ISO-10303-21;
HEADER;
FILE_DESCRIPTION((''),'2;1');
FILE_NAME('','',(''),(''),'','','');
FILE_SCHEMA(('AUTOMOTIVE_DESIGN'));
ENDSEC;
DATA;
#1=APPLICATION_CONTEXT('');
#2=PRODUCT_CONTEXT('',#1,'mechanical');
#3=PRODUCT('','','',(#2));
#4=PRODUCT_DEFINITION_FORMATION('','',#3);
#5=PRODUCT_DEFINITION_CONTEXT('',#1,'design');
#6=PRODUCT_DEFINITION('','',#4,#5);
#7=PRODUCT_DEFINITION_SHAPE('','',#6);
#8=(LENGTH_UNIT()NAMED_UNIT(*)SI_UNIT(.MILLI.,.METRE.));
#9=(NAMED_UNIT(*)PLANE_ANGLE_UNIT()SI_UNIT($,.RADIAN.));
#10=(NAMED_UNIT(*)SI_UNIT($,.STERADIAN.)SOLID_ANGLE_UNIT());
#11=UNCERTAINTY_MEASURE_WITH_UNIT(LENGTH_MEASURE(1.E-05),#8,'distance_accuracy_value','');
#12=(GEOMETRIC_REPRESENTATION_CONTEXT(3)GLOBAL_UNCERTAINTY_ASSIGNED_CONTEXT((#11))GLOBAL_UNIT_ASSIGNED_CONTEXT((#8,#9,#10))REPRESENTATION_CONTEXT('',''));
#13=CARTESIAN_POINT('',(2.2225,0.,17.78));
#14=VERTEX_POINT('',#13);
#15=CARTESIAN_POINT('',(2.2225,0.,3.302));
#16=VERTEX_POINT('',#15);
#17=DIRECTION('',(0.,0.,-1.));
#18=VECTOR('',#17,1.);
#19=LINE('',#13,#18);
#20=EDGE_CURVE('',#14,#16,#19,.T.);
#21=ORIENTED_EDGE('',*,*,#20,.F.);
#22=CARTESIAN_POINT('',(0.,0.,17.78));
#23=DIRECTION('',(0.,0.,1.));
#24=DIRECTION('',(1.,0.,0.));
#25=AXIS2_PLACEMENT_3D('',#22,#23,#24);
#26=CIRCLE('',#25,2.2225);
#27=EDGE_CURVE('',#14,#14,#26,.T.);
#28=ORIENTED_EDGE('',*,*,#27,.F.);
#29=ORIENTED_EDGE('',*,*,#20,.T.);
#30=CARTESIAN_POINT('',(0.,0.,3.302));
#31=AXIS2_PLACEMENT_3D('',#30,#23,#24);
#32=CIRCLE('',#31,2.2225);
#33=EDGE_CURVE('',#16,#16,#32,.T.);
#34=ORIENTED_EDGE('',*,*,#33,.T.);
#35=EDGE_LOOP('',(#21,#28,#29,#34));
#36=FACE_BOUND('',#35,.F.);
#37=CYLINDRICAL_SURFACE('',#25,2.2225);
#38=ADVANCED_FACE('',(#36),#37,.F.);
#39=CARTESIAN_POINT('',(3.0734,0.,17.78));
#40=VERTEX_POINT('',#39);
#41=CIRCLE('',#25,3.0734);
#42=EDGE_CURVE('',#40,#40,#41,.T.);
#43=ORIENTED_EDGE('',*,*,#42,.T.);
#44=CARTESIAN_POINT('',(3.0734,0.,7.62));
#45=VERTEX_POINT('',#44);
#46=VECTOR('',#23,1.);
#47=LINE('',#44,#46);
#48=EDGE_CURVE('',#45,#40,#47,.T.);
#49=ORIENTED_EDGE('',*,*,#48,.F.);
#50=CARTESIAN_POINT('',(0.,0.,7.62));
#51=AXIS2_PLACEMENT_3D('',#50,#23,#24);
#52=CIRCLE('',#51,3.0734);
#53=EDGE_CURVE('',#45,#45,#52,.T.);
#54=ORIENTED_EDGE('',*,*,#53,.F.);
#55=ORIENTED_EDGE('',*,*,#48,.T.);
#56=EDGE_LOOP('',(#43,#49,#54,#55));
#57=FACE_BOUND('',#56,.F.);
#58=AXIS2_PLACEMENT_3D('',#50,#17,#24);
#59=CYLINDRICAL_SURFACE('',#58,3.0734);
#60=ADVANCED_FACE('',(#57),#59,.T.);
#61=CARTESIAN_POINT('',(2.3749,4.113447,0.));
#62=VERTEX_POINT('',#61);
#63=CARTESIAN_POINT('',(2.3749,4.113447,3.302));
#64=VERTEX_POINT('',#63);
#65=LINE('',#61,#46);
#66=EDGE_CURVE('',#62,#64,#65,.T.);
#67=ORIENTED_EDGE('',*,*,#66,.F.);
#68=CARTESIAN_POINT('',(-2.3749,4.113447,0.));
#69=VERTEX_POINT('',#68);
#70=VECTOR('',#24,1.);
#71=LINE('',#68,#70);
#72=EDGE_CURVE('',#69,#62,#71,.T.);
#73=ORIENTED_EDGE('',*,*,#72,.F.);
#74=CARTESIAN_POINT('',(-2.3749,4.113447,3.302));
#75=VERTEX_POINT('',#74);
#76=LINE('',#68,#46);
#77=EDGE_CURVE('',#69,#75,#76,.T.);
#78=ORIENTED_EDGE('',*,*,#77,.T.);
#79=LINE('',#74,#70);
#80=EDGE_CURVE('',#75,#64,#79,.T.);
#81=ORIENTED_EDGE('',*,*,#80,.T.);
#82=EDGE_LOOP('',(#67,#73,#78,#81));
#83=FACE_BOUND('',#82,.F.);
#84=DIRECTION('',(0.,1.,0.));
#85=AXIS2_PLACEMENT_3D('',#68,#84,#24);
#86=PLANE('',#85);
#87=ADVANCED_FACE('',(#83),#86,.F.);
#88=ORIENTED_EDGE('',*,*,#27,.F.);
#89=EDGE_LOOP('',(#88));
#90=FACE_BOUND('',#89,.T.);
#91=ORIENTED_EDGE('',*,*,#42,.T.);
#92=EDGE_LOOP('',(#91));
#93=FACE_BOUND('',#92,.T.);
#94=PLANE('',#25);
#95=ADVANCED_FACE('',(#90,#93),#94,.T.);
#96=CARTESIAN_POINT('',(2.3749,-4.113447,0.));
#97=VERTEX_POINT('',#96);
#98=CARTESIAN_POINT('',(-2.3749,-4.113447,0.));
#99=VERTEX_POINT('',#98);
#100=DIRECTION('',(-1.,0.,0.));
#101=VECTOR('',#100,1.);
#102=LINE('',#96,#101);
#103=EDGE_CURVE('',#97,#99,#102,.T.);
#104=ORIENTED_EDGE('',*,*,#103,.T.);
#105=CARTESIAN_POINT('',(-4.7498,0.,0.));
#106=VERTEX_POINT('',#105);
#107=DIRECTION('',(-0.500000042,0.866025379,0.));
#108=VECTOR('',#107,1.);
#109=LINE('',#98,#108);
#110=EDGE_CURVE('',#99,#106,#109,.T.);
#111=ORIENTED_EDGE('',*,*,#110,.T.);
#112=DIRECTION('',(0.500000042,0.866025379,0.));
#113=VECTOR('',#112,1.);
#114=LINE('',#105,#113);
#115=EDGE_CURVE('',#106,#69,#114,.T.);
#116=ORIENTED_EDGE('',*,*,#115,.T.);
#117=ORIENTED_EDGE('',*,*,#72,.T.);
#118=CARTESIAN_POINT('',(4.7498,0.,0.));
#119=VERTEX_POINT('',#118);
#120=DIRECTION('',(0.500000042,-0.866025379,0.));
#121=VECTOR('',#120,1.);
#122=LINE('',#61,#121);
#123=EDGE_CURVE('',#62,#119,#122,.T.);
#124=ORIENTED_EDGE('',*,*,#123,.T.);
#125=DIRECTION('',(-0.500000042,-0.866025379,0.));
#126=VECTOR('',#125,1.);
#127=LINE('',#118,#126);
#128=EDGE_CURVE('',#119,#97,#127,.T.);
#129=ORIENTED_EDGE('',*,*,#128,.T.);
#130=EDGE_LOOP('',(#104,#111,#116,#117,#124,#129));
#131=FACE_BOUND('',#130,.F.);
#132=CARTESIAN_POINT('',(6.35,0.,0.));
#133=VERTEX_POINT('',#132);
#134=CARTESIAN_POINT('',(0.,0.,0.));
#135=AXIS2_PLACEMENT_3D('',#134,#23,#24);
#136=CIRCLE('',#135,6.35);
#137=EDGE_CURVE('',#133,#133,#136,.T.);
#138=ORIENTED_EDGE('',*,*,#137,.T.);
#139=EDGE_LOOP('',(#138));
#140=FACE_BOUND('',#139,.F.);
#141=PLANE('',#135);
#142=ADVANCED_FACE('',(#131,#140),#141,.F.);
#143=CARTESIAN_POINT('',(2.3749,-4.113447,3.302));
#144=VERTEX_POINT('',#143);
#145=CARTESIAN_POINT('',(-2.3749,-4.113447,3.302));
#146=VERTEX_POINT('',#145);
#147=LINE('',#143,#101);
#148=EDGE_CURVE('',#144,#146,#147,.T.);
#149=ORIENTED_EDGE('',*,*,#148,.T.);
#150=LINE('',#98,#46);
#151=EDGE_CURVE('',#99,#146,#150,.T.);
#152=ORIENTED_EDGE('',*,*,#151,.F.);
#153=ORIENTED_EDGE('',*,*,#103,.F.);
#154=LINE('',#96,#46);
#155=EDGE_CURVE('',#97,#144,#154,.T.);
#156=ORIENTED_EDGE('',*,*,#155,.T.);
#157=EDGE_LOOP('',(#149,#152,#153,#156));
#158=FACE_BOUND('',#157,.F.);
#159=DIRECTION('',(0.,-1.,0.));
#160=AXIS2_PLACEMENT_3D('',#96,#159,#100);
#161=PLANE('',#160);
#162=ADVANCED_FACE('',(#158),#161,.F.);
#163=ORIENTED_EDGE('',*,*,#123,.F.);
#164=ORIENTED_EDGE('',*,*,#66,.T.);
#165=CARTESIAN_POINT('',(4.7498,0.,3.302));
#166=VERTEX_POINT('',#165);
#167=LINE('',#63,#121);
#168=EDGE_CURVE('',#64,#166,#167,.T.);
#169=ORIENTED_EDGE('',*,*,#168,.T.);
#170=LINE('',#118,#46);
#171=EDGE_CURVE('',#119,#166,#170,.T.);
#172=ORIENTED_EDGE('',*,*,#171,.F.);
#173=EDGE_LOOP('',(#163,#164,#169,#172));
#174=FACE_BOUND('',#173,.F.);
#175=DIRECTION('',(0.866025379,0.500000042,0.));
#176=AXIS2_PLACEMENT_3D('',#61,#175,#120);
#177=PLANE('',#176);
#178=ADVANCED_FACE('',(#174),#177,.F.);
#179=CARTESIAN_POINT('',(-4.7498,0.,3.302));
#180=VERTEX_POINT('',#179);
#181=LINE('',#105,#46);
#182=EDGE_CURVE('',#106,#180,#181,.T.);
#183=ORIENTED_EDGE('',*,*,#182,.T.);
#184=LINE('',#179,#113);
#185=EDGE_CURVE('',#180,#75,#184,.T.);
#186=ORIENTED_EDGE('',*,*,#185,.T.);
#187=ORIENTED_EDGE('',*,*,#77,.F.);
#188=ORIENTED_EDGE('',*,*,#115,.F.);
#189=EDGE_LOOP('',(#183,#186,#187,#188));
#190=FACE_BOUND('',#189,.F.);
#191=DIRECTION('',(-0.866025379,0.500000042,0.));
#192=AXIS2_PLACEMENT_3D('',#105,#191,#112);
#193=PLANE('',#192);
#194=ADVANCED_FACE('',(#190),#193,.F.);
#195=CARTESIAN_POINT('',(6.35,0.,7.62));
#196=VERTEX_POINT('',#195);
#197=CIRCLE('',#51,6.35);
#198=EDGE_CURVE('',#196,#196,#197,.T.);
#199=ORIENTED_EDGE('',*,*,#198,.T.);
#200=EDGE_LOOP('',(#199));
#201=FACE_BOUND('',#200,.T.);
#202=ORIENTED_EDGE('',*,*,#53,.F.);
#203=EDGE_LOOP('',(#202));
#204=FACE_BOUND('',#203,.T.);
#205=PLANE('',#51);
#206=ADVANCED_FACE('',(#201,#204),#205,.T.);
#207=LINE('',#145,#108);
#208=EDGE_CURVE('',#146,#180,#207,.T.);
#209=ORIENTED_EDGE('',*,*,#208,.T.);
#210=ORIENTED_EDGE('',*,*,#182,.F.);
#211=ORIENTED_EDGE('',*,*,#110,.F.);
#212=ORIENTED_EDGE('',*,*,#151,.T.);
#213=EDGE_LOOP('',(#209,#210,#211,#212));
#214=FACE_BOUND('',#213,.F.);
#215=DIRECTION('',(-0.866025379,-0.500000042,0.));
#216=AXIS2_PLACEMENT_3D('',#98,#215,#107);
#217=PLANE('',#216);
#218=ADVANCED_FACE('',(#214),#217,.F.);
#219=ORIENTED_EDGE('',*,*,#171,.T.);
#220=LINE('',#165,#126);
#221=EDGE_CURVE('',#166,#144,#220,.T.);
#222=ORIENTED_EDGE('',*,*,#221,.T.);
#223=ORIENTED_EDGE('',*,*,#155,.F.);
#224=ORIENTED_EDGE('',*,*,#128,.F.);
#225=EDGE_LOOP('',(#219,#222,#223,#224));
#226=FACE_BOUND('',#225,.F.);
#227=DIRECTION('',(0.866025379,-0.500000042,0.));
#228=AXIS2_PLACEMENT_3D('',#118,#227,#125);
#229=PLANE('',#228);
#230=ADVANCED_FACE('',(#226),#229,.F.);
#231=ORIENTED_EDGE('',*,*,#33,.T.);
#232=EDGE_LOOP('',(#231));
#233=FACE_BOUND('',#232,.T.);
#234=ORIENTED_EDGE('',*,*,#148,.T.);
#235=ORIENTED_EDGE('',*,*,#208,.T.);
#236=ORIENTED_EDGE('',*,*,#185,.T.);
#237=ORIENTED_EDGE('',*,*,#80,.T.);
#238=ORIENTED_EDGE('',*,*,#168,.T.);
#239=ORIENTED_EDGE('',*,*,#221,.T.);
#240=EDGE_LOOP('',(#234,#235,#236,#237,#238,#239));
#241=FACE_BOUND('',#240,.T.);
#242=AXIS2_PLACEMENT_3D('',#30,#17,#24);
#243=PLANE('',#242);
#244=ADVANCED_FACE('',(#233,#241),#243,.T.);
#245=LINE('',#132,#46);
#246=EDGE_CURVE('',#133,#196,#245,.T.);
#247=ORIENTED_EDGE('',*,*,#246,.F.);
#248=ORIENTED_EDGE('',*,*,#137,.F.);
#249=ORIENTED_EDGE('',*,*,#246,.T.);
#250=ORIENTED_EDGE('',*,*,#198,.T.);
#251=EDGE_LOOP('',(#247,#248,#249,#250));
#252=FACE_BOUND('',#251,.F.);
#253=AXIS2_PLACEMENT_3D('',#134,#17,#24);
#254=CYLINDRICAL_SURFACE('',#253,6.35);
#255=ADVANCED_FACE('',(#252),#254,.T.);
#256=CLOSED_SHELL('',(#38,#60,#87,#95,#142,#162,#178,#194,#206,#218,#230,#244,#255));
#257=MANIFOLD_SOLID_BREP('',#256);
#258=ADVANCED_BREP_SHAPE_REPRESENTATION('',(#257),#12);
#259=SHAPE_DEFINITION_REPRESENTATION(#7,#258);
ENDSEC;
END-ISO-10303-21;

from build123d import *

# Parameters (mm, degrees)
F0_R     = 6.35
F1_DEPTH = 7.62
F2_R     = 3.0734
F3_DEPTH = 10.16
F4_R     = 2.2225
F5_DEPTH = 17.781
F7_DEPTH = 3.302


with BuildPart() as f1:
    # F0 (on Top) → F1 (new body)
    with BuildSketch(Plane.XY):
        Circle(F0_R)
    extrude(amount=F1_DEPTH)

    # F2 (on face) → F3 (join)
    with BuildSketch(Plane.XY.offset(7.62)):
        Circle(F2_R)
    extrude(amount=F3_DEPTH)

    # F4 (on face) → F5 (cut, through all)
    with BuildSketch(Plane.XY.offset(17.78)):
        Circle(F4_R)
    extrude(amount=-F5_DEPTH, mode=Mode.SUBTRACT)

    # F6 (on face) → F7 (cut)
    with BuildSketch(Plane(origin=(0, 0, 0), x_dir=(1, 0, 0), z_dir=(0, 0, -1))):
        Polygon((2.3749, 4.113447), (-2.3749, 4.113447), (-4.7498, 0), (-2.3749, -4.113447), (2.3749, -4.113447), (4.7498, 0), align=None)
    extrude(amount=-F7_DEPTH, mode=Mode.SUBTRACT)


solid = f1.part
